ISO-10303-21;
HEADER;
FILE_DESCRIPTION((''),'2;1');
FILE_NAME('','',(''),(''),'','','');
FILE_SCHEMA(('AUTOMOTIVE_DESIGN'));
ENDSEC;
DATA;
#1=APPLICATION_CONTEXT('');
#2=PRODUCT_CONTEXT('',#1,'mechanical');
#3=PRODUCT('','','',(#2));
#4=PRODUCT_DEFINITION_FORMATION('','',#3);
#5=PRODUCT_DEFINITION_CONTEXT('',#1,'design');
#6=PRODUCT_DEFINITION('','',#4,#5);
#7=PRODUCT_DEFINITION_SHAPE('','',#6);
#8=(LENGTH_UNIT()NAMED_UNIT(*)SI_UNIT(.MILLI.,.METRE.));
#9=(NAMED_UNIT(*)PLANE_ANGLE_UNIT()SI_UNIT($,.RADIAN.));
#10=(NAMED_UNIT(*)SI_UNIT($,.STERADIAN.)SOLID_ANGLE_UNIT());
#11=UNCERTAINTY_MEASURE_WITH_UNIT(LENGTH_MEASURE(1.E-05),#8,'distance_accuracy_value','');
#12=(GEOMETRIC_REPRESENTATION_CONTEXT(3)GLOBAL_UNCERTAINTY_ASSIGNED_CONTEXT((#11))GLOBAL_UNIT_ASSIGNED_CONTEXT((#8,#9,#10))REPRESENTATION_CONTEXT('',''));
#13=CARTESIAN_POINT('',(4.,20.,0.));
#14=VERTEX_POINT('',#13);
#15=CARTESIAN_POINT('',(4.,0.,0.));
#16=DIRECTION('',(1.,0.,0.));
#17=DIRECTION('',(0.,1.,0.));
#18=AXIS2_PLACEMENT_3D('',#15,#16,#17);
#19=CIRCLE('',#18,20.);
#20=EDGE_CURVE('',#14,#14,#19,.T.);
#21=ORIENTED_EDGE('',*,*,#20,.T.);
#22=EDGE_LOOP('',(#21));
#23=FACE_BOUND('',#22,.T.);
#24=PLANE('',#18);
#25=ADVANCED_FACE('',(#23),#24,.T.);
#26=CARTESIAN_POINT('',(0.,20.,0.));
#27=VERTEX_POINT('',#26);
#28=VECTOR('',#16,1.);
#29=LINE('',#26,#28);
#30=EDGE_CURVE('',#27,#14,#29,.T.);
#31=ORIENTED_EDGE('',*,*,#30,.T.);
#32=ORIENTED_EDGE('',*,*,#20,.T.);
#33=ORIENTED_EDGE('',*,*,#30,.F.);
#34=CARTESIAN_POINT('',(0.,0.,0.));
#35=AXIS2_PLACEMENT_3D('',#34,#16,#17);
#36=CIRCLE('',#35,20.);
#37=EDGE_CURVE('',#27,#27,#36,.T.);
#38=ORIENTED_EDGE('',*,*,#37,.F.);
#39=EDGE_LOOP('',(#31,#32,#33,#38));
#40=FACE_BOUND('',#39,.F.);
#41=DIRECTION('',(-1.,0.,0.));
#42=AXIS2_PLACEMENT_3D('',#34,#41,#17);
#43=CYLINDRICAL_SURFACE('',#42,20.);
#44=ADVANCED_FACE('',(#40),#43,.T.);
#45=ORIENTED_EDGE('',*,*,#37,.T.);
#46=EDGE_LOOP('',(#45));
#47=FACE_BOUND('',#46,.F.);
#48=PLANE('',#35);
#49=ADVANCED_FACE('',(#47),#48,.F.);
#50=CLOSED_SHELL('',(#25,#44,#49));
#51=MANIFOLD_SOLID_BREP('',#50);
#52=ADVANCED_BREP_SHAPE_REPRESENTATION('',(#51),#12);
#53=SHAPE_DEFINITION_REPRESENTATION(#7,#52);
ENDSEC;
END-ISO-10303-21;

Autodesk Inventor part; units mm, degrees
ref_plane "YZ Plane" through (0, 0, 0) normal (1, 0, 0) x (0, 1, 0)
ref_plane "XZ Plane" through (0, 0, 0) normal (0, 1, 0) x (-1, 0, 0)
ref_plane "XY Plane" through (0, 0, 0) normal (0, 0, 1) x (1, 0, 0)
sketch "Sketch1" plane through (0, 0, 0) normal (1, 0, 0) x (0, 1, 0)
  point P0 (0, 0)
sketch "Sketch2" plane through (0, 0, 0) normal (1, 0, 0) x (0, 1, 0)
  circle A0 centre (0, 0) radius 20
  dimension "d0" = 40
extrude "Extrusion1" add sketch "Sketch2" along normal blind 4
properties part number "Vinyltoluene" material "Glass"
